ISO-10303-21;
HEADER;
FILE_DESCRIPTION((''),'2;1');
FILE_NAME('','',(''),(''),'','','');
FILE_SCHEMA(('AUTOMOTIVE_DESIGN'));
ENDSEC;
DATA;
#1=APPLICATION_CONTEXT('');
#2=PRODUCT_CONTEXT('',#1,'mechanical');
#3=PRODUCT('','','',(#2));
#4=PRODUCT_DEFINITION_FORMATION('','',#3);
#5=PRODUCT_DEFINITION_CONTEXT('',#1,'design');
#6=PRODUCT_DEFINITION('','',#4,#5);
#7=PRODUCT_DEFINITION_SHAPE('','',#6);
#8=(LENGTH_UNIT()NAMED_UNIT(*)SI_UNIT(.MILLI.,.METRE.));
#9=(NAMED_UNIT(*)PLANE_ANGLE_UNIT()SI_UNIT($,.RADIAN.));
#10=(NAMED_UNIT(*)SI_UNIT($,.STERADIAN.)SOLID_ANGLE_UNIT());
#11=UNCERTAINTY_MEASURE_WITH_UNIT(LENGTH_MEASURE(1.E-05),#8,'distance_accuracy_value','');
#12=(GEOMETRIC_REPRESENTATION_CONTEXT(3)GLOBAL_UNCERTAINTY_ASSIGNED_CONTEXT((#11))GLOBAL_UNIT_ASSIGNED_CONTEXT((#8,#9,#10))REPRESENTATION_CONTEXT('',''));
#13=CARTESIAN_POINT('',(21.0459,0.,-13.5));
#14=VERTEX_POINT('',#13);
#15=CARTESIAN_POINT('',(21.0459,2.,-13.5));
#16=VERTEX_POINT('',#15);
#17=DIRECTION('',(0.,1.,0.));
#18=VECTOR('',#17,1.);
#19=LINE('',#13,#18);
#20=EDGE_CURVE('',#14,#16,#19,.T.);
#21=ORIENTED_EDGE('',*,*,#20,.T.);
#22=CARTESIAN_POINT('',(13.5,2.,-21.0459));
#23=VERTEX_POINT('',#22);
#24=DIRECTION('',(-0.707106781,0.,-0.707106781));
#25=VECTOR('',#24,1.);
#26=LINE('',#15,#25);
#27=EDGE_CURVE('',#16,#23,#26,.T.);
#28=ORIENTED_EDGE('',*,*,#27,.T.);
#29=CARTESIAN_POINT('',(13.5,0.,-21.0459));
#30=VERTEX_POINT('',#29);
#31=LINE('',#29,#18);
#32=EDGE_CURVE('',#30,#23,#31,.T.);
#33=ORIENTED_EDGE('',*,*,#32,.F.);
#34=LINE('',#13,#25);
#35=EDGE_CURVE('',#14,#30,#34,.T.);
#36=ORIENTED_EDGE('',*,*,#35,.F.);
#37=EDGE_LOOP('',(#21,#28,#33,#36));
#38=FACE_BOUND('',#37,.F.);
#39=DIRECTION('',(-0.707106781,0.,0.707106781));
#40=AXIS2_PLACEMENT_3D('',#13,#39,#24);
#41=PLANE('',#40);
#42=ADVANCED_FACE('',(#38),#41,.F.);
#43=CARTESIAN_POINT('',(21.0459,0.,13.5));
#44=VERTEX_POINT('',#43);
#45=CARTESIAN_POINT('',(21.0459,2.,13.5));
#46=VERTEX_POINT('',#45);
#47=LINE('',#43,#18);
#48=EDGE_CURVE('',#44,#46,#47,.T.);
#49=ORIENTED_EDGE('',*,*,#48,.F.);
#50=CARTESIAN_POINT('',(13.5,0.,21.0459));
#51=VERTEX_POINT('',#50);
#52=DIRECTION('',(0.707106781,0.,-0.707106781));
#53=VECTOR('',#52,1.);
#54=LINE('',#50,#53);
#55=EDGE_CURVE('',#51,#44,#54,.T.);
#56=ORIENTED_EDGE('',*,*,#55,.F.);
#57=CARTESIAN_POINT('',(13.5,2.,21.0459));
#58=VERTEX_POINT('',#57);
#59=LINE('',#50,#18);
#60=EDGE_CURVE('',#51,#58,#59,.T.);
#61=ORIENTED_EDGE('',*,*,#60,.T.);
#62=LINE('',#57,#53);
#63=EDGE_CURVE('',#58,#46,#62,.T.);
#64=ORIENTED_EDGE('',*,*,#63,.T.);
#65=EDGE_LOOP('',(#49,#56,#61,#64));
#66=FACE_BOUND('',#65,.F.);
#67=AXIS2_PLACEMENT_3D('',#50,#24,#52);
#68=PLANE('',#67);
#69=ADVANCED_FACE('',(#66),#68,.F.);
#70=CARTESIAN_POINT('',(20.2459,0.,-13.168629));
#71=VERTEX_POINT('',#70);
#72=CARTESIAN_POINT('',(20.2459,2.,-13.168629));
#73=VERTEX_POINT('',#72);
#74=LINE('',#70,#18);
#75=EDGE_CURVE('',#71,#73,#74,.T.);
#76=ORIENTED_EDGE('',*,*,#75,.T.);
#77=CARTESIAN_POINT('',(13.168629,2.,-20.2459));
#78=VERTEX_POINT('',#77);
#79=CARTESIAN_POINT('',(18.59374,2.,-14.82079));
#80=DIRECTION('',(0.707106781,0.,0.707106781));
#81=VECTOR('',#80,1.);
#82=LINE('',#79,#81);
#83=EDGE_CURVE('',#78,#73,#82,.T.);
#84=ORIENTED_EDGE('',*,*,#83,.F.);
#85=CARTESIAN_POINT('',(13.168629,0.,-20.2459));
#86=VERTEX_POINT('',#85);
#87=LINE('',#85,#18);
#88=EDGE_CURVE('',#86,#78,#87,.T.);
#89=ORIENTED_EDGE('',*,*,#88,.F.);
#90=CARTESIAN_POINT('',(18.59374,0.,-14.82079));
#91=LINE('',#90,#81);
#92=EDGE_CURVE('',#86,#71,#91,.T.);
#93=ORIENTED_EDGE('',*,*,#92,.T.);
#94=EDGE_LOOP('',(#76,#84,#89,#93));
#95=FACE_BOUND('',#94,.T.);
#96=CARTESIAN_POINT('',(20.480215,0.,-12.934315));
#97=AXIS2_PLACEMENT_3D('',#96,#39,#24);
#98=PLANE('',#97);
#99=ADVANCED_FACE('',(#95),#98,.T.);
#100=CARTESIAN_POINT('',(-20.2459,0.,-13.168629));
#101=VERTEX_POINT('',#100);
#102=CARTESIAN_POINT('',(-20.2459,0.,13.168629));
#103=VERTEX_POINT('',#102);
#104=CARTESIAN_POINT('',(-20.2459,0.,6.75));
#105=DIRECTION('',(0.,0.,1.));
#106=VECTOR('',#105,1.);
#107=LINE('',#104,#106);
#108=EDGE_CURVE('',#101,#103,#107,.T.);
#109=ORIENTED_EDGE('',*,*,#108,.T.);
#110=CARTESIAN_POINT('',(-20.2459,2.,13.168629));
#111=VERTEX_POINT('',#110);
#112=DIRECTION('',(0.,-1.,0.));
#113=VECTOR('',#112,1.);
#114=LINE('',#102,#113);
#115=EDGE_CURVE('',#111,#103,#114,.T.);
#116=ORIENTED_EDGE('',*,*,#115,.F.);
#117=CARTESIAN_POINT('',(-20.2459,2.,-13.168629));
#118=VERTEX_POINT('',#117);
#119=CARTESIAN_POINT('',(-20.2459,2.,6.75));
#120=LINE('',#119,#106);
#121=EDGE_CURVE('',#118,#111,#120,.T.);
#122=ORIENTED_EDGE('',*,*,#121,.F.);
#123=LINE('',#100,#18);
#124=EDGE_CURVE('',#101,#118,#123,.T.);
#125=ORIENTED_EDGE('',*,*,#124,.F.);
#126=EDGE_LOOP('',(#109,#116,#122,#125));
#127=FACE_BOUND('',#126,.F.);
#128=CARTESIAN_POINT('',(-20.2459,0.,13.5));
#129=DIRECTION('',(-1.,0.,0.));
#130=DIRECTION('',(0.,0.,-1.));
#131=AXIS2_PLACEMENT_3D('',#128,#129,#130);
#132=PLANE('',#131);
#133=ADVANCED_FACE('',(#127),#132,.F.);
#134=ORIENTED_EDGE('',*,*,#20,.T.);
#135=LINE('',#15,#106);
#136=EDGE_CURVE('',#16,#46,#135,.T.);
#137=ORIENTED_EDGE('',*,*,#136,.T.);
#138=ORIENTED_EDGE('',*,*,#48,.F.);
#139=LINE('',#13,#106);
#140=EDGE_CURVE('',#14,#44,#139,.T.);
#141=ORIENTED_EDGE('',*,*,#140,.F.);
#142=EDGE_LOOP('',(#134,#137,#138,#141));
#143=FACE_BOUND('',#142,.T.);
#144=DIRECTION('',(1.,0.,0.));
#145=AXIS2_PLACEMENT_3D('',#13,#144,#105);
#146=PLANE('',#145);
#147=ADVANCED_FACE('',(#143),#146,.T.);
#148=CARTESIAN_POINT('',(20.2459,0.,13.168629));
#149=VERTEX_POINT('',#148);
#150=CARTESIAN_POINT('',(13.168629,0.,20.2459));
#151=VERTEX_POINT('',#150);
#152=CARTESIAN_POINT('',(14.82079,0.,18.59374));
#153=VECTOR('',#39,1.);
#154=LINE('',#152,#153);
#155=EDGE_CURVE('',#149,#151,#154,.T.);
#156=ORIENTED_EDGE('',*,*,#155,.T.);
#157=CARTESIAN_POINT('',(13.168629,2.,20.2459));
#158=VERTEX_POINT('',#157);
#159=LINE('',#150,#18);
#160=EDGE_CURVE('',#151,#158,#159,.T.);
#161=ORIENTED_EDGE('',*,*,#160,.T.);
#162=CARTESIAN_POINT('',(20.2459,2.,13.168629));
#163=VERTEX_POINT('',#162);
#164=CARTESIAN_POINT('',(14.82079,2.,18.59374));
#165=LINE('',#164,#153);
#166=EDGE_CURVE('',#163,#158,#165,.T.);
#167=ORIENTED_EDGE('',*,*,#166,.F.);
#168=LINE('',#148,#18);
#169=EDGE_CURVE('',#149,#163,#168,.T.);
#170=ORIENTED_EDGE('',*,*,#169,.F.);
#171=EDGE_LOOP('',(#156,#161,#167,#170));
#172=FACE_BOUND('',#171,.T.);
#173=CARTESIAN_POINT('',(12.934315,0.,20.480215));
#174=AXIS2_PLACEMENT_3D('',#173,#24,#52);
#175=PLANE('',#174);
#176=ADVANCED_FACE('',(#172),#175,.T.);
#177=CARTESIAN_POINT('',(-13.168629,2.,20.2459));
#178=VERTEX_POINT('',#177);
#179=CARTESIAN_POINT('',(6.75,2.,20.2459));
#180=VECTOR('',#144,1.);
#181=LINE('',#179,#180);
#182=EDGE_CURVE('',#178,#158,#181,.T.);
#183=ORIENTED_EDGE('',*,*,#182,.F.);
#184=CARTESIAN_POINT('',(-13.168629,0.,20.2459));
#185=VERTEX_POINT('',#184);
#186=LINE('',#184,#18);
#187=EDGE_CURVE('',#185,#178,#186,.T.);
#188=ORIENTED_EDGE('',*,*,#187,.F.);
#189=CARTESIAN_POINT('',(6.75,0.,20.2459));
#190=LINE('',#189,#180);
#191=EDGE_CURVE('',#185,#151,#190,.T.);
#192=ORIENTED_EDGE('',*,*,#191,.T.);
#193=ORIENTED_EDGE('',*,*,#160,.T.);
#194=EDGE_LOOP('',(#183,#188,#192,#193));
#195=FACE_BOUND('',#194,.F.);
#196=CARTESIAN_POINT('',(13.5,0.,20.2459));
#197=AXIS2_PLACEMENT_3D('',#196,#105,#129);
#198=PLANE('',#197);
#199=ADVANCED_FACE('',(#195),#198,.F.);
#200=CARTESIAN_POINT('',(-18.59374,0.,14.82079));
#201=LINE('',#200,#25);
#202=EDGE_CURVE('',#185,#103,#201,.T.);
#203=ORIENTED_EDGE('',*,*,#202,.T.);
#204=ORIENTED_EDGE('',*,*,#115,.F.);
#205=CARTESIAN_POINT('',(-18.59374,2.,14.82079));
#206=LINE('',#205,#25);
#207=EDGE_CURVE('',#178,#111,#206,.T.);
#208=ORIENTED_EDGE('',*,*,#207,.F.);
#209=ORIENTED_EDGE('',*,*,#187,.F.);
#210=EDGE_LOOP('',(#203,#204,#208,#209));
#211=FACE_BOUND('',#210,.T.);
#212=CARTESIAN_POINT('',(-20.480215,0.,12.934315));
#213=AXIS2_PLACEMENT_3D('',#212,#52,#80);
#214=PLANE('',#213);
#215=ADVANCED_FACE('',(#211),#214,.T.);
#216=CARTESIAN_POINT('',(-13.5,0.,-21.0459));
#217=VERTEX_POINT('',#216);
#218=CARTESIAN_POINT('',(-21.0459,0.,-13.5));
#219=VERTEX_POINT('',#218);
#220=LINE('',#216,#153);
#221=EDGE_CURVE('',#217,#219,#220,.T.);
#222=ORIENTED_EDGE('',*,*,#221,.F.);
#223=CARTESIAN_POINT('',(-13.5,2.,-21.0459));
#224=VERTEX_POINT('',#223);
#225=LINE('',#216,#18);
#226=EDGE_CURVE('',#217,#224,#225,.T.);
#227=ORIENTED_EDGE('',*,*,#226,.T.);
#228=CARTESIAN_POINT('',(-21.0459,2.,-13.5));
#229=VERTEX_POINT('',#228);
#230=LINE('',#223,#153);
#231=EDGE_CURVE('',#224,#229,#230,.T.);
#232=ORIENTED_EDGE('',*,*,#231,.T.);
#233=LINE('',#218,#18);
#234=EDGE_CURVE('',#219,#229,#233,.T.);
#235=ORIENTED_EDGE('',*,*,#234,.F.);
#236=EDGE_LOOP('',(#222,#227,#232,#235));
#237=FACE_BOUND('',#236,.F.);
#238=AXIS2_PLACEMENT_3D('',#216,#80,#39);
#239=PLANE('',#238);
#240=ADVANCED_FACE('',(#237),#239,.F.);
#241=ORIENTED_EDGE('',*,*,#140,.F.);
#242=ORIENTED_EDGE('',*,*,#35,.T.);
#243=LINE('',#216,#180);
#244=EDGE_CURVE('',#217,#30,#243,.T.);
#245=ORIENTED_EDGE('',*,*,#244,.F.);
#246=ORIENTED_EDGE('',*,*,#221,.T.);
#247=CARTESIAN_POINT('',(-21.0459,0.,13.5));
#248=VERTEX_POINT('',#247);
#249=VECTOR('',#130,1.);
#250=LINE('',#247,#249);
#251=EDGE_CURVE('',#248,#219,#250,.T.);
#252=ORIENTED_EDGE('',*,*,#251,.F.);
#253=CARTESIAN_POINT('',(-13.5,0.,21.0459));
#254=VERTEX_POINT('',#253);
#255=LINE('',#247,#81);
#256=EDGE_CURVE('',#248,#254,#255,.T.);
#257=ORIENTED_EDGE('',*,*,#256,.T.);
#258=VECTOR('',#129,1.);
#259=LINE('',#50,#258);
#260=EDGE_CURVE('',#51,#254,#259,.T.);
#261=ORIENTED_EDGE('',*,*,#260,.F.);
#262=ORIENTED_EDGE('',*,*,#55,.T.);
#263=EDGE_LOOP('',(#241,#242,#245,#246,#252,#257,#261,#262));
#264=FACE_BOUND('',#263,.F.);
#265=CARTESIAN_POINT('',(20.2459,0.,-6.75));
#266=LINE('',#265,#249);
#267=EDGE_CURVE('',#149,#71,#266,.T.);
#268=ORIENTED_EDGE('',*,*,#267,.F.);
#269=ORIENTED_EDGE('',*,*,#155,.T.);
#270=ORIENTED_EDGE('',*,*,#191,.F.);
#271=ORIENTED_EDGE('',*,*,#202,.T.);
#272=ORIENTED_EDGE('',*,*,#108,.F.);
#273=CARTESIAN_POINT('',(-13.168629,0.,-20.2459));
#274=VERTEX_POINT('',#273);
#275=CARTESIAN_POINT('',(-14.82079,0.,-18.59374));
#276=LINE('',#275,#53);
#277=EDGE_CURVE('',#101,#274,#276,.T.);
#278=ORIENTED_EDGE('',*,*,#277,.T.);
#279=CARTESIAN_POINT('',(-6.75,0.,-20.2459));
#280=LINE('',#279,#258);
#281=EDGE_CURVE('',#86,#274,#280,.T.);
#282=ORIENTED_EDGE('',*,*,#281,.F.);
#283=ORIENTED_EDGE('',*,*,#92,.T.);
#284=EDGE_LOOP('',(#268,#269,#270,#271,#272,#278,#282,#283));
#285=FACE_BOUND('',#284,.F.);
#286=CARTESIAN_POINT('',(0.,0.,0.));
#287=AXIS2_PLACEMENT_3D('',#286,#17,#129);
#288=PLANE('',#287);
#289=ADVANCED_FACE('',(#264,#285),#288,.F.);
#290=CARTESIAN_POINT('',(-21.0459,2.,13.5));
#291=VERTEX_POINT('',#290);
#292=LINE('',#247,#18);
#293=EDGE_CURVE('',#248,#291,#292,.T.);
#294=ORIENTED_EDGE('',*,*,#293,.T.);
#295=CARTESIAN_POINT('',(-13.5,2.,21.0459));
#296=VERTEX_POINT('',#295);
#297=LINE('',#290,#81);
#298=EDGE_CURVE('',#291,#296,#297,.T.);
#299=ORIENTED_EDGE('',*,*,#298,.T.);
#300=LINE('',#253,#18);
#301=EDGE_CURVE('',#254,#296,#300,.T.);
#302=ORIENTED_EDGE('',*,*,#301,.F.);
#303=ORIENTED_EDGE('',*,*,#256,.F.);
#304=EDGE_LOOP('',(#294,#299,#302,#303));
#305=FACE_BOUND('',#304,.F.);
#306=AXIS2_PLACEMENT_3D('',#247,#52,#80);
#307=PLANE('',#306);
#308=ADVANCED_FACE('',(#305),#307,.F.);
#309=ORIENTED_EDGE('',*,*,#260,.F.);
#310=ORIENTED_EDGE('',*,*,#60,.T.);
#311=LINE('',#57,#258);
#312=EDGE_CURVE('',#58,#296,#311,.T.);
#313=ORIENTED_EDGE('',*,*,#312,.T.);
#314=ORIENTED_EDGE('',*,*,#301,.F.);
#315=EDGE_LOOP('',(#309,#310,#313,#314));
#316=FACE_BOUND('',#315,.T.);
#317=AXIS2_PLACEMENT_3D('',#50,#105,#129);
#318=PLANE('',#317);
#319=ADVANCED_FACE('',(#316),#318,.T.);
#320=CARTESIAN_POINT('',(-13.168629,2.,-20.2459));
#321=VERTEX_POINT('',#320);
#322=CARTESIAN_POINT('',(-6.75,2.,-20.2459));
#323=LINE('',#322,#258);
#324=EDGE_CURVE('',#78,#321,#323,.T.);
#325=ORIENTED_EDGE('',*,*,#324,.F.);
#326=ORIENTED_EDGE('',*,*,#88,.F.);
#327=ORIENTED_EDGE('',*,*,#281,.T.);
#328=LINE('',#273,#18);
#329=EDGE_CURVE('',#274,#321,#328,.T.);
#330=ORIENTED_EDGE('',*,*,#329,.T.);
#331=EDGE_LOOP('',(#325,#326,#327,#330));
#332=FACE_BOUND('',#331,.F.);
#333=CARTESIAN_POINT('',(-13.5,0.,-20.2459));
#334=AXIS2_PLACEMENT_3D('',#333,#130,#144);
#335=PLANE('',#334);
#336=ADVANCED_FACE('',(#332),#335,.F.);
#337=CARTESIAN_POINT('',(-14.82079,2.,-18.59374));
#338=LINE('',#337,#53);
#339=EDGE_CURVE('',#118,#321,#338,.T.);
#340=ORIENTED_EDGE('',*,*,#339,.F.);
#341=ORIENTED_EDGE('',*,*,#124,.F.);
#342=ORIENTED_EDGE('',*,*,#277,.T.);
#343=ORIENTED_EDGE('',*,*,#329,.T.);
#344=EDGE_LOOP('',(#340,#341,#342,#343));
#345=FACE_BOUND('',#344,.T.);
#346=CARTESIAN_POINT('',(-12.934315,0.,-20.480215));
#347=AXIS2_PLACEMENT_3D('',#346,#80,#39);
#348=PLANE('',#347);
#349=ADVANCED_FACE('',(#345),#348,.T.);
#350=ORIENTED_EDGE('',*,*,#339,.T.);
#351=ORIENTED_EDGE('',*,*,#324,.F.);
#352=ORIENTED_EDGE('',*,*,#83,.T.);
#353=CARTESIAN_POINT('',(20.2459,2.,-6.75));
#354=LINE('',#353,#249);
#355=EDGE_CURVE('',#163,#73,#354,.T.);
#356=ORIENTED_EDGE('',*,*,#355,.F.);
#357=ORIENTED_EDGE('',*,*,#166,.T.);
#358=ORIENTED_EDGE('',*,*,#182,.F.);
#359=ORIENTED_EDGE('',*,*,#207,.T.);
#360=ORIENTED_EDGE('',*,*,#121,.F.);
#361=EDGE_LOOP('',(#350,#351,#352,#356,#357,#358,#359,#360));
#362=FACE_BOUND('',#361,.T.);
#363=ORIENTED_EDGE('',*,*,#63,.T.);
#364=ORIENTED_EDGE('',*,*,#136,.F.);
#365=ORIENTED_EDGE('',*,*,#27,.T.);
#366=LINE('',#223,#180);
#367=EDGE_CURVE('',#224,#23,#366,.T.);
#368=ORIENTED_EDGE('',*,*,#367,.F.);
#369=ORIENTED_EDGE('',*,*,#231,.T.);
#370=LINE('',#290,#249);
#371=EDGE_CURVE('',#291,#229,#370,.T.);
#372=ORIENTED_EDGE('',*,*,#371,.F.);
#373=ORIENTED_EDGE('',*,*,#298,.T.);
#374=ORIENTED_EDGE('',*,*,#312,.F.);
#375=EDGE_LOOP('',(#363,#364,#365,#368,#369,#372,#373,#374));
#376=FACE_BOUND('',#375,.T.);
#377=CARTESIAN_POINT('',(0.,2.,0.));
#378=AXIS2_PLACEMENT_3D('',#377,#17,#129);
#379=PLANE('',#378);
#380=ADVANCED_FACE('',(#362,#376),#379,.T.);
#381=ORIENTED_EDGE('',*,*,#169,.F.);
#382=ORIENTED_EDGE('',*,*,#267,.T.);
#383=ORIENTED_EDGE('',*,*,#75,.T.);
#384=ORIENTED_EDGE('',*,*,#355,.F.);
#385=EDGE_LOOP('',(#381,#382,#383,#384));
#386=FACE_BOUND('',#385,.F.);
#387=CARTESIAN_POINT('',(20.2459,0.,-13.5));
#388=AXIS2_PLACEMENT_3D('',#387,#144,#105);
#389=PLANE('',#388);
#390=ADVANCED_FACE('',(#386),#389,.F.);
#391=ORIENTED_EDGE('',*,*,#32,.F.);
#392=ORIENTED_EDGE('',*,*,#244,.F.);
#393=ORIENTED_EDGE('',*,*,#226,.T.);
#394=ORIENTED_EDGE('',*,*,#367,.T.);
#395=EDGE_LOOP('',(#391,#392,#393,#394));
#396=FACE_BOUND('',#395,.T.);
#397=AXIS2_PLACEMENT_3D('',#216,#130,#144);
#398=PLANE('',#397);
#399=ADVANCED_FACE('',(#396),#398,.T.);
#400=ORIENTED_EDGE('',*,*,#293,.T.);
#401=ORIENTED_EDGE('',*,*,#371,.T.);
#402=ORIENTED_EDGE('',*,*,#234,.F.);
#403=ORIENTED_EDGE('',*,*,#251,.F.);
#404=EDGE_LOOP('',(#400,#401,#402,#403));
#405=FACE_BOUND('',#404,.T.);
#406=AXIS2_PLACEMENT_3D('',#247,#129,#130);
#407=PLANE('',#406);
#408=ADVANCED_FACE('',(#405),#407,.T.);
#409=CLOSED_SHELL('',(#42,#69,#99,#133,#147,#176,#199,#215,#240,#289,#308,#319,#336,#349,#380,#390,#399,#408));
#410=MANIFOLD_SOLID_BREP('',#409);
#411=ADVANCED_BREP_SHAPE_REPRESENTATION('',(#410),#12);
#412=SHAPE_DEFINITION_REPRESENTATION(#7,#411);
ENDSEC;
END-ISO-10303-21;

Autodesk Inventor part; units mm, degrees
ref_plane "YZ Plane" through (0, 0, 0) normal (1, 0, 0) x (0, 1, 0)
ref_plane "XZ Plane" through (0, 0, 0) normal (0, 1, 0) x (-1, 0, 0)
ref_plane "XY Plane" through (0, 0, 0) normal (0, 0, 1) x (1, 0, 0)
sketch "스케치1" plane through (0, 0, 0) normal (0, 1, 0) x (-1, 0, 0)
  line L0 (-32.5919, 13.5) -> (-13.5, 32.5919)
  line L1 (-13.5, 32.5919) -> (13.5, 32.5919)
  line L2 (13.5, 32.5919) -> (32.5919, 13.5)
  line L3 (32.5919, 13.5) -> (32.5919, -13.5)
  line L4 (32.5919, -13.5) -> (13.5, -32.5919)
  line L5 (13.5, -32.5919) -> (-13.5, -32.5919)
  line L6 (-13.5, -32.5919) -> (-32.5919, -13.5)
  line L7 (-32.5919, -13.5) -> (-32.5919, 13.5)
  line L8 (21.0459, 13.5) -> (21.0459, -13.5)
  line L9 (-21.0459, -13.5) -> (-21.0459, 13.5)
  line L10 (13.5, -21.0459) -> (-13.5, -21.0459)
  line L11 (-13.5, 21.0459) -> (13.5, 21.0459)
  line L12 (13.5, -21.0459) -> (21.0459, -13.5)
  line L13 (21.0459, 13.5) -> (13.5, 21.0459)
  line L14 (-13.5, 21.0459) -> (-21.0459, 13.5)
  line L15 (-21.0459, -13.5) -> (-13.5, -21.0459)
  point P0 (0, 0)
  point P1 (0, 0)
  point P2 (0, 21.0459)
  point P3 (0, -32.5919)
  dimension "d0" = 27
  dimension "d1" = 11.546
  dimension "d2" = 11.546
  dimension "d3" = 11.546
  dimension "d4" = 11.546
extrude "돌출1" add sketch "스케치1" along normal blind 2 contours L8 L12 L10 L15 L9 L14 L11 L13
shell "쉘1" thickness 0.8 removed faces 2 at (7.0153, 0, 4.5) at (7.0153, 2, 4.5)
properties part number "팔각형 OV-PAM 5패턴 층 한개 부피 구하기 0도 - 수정"
